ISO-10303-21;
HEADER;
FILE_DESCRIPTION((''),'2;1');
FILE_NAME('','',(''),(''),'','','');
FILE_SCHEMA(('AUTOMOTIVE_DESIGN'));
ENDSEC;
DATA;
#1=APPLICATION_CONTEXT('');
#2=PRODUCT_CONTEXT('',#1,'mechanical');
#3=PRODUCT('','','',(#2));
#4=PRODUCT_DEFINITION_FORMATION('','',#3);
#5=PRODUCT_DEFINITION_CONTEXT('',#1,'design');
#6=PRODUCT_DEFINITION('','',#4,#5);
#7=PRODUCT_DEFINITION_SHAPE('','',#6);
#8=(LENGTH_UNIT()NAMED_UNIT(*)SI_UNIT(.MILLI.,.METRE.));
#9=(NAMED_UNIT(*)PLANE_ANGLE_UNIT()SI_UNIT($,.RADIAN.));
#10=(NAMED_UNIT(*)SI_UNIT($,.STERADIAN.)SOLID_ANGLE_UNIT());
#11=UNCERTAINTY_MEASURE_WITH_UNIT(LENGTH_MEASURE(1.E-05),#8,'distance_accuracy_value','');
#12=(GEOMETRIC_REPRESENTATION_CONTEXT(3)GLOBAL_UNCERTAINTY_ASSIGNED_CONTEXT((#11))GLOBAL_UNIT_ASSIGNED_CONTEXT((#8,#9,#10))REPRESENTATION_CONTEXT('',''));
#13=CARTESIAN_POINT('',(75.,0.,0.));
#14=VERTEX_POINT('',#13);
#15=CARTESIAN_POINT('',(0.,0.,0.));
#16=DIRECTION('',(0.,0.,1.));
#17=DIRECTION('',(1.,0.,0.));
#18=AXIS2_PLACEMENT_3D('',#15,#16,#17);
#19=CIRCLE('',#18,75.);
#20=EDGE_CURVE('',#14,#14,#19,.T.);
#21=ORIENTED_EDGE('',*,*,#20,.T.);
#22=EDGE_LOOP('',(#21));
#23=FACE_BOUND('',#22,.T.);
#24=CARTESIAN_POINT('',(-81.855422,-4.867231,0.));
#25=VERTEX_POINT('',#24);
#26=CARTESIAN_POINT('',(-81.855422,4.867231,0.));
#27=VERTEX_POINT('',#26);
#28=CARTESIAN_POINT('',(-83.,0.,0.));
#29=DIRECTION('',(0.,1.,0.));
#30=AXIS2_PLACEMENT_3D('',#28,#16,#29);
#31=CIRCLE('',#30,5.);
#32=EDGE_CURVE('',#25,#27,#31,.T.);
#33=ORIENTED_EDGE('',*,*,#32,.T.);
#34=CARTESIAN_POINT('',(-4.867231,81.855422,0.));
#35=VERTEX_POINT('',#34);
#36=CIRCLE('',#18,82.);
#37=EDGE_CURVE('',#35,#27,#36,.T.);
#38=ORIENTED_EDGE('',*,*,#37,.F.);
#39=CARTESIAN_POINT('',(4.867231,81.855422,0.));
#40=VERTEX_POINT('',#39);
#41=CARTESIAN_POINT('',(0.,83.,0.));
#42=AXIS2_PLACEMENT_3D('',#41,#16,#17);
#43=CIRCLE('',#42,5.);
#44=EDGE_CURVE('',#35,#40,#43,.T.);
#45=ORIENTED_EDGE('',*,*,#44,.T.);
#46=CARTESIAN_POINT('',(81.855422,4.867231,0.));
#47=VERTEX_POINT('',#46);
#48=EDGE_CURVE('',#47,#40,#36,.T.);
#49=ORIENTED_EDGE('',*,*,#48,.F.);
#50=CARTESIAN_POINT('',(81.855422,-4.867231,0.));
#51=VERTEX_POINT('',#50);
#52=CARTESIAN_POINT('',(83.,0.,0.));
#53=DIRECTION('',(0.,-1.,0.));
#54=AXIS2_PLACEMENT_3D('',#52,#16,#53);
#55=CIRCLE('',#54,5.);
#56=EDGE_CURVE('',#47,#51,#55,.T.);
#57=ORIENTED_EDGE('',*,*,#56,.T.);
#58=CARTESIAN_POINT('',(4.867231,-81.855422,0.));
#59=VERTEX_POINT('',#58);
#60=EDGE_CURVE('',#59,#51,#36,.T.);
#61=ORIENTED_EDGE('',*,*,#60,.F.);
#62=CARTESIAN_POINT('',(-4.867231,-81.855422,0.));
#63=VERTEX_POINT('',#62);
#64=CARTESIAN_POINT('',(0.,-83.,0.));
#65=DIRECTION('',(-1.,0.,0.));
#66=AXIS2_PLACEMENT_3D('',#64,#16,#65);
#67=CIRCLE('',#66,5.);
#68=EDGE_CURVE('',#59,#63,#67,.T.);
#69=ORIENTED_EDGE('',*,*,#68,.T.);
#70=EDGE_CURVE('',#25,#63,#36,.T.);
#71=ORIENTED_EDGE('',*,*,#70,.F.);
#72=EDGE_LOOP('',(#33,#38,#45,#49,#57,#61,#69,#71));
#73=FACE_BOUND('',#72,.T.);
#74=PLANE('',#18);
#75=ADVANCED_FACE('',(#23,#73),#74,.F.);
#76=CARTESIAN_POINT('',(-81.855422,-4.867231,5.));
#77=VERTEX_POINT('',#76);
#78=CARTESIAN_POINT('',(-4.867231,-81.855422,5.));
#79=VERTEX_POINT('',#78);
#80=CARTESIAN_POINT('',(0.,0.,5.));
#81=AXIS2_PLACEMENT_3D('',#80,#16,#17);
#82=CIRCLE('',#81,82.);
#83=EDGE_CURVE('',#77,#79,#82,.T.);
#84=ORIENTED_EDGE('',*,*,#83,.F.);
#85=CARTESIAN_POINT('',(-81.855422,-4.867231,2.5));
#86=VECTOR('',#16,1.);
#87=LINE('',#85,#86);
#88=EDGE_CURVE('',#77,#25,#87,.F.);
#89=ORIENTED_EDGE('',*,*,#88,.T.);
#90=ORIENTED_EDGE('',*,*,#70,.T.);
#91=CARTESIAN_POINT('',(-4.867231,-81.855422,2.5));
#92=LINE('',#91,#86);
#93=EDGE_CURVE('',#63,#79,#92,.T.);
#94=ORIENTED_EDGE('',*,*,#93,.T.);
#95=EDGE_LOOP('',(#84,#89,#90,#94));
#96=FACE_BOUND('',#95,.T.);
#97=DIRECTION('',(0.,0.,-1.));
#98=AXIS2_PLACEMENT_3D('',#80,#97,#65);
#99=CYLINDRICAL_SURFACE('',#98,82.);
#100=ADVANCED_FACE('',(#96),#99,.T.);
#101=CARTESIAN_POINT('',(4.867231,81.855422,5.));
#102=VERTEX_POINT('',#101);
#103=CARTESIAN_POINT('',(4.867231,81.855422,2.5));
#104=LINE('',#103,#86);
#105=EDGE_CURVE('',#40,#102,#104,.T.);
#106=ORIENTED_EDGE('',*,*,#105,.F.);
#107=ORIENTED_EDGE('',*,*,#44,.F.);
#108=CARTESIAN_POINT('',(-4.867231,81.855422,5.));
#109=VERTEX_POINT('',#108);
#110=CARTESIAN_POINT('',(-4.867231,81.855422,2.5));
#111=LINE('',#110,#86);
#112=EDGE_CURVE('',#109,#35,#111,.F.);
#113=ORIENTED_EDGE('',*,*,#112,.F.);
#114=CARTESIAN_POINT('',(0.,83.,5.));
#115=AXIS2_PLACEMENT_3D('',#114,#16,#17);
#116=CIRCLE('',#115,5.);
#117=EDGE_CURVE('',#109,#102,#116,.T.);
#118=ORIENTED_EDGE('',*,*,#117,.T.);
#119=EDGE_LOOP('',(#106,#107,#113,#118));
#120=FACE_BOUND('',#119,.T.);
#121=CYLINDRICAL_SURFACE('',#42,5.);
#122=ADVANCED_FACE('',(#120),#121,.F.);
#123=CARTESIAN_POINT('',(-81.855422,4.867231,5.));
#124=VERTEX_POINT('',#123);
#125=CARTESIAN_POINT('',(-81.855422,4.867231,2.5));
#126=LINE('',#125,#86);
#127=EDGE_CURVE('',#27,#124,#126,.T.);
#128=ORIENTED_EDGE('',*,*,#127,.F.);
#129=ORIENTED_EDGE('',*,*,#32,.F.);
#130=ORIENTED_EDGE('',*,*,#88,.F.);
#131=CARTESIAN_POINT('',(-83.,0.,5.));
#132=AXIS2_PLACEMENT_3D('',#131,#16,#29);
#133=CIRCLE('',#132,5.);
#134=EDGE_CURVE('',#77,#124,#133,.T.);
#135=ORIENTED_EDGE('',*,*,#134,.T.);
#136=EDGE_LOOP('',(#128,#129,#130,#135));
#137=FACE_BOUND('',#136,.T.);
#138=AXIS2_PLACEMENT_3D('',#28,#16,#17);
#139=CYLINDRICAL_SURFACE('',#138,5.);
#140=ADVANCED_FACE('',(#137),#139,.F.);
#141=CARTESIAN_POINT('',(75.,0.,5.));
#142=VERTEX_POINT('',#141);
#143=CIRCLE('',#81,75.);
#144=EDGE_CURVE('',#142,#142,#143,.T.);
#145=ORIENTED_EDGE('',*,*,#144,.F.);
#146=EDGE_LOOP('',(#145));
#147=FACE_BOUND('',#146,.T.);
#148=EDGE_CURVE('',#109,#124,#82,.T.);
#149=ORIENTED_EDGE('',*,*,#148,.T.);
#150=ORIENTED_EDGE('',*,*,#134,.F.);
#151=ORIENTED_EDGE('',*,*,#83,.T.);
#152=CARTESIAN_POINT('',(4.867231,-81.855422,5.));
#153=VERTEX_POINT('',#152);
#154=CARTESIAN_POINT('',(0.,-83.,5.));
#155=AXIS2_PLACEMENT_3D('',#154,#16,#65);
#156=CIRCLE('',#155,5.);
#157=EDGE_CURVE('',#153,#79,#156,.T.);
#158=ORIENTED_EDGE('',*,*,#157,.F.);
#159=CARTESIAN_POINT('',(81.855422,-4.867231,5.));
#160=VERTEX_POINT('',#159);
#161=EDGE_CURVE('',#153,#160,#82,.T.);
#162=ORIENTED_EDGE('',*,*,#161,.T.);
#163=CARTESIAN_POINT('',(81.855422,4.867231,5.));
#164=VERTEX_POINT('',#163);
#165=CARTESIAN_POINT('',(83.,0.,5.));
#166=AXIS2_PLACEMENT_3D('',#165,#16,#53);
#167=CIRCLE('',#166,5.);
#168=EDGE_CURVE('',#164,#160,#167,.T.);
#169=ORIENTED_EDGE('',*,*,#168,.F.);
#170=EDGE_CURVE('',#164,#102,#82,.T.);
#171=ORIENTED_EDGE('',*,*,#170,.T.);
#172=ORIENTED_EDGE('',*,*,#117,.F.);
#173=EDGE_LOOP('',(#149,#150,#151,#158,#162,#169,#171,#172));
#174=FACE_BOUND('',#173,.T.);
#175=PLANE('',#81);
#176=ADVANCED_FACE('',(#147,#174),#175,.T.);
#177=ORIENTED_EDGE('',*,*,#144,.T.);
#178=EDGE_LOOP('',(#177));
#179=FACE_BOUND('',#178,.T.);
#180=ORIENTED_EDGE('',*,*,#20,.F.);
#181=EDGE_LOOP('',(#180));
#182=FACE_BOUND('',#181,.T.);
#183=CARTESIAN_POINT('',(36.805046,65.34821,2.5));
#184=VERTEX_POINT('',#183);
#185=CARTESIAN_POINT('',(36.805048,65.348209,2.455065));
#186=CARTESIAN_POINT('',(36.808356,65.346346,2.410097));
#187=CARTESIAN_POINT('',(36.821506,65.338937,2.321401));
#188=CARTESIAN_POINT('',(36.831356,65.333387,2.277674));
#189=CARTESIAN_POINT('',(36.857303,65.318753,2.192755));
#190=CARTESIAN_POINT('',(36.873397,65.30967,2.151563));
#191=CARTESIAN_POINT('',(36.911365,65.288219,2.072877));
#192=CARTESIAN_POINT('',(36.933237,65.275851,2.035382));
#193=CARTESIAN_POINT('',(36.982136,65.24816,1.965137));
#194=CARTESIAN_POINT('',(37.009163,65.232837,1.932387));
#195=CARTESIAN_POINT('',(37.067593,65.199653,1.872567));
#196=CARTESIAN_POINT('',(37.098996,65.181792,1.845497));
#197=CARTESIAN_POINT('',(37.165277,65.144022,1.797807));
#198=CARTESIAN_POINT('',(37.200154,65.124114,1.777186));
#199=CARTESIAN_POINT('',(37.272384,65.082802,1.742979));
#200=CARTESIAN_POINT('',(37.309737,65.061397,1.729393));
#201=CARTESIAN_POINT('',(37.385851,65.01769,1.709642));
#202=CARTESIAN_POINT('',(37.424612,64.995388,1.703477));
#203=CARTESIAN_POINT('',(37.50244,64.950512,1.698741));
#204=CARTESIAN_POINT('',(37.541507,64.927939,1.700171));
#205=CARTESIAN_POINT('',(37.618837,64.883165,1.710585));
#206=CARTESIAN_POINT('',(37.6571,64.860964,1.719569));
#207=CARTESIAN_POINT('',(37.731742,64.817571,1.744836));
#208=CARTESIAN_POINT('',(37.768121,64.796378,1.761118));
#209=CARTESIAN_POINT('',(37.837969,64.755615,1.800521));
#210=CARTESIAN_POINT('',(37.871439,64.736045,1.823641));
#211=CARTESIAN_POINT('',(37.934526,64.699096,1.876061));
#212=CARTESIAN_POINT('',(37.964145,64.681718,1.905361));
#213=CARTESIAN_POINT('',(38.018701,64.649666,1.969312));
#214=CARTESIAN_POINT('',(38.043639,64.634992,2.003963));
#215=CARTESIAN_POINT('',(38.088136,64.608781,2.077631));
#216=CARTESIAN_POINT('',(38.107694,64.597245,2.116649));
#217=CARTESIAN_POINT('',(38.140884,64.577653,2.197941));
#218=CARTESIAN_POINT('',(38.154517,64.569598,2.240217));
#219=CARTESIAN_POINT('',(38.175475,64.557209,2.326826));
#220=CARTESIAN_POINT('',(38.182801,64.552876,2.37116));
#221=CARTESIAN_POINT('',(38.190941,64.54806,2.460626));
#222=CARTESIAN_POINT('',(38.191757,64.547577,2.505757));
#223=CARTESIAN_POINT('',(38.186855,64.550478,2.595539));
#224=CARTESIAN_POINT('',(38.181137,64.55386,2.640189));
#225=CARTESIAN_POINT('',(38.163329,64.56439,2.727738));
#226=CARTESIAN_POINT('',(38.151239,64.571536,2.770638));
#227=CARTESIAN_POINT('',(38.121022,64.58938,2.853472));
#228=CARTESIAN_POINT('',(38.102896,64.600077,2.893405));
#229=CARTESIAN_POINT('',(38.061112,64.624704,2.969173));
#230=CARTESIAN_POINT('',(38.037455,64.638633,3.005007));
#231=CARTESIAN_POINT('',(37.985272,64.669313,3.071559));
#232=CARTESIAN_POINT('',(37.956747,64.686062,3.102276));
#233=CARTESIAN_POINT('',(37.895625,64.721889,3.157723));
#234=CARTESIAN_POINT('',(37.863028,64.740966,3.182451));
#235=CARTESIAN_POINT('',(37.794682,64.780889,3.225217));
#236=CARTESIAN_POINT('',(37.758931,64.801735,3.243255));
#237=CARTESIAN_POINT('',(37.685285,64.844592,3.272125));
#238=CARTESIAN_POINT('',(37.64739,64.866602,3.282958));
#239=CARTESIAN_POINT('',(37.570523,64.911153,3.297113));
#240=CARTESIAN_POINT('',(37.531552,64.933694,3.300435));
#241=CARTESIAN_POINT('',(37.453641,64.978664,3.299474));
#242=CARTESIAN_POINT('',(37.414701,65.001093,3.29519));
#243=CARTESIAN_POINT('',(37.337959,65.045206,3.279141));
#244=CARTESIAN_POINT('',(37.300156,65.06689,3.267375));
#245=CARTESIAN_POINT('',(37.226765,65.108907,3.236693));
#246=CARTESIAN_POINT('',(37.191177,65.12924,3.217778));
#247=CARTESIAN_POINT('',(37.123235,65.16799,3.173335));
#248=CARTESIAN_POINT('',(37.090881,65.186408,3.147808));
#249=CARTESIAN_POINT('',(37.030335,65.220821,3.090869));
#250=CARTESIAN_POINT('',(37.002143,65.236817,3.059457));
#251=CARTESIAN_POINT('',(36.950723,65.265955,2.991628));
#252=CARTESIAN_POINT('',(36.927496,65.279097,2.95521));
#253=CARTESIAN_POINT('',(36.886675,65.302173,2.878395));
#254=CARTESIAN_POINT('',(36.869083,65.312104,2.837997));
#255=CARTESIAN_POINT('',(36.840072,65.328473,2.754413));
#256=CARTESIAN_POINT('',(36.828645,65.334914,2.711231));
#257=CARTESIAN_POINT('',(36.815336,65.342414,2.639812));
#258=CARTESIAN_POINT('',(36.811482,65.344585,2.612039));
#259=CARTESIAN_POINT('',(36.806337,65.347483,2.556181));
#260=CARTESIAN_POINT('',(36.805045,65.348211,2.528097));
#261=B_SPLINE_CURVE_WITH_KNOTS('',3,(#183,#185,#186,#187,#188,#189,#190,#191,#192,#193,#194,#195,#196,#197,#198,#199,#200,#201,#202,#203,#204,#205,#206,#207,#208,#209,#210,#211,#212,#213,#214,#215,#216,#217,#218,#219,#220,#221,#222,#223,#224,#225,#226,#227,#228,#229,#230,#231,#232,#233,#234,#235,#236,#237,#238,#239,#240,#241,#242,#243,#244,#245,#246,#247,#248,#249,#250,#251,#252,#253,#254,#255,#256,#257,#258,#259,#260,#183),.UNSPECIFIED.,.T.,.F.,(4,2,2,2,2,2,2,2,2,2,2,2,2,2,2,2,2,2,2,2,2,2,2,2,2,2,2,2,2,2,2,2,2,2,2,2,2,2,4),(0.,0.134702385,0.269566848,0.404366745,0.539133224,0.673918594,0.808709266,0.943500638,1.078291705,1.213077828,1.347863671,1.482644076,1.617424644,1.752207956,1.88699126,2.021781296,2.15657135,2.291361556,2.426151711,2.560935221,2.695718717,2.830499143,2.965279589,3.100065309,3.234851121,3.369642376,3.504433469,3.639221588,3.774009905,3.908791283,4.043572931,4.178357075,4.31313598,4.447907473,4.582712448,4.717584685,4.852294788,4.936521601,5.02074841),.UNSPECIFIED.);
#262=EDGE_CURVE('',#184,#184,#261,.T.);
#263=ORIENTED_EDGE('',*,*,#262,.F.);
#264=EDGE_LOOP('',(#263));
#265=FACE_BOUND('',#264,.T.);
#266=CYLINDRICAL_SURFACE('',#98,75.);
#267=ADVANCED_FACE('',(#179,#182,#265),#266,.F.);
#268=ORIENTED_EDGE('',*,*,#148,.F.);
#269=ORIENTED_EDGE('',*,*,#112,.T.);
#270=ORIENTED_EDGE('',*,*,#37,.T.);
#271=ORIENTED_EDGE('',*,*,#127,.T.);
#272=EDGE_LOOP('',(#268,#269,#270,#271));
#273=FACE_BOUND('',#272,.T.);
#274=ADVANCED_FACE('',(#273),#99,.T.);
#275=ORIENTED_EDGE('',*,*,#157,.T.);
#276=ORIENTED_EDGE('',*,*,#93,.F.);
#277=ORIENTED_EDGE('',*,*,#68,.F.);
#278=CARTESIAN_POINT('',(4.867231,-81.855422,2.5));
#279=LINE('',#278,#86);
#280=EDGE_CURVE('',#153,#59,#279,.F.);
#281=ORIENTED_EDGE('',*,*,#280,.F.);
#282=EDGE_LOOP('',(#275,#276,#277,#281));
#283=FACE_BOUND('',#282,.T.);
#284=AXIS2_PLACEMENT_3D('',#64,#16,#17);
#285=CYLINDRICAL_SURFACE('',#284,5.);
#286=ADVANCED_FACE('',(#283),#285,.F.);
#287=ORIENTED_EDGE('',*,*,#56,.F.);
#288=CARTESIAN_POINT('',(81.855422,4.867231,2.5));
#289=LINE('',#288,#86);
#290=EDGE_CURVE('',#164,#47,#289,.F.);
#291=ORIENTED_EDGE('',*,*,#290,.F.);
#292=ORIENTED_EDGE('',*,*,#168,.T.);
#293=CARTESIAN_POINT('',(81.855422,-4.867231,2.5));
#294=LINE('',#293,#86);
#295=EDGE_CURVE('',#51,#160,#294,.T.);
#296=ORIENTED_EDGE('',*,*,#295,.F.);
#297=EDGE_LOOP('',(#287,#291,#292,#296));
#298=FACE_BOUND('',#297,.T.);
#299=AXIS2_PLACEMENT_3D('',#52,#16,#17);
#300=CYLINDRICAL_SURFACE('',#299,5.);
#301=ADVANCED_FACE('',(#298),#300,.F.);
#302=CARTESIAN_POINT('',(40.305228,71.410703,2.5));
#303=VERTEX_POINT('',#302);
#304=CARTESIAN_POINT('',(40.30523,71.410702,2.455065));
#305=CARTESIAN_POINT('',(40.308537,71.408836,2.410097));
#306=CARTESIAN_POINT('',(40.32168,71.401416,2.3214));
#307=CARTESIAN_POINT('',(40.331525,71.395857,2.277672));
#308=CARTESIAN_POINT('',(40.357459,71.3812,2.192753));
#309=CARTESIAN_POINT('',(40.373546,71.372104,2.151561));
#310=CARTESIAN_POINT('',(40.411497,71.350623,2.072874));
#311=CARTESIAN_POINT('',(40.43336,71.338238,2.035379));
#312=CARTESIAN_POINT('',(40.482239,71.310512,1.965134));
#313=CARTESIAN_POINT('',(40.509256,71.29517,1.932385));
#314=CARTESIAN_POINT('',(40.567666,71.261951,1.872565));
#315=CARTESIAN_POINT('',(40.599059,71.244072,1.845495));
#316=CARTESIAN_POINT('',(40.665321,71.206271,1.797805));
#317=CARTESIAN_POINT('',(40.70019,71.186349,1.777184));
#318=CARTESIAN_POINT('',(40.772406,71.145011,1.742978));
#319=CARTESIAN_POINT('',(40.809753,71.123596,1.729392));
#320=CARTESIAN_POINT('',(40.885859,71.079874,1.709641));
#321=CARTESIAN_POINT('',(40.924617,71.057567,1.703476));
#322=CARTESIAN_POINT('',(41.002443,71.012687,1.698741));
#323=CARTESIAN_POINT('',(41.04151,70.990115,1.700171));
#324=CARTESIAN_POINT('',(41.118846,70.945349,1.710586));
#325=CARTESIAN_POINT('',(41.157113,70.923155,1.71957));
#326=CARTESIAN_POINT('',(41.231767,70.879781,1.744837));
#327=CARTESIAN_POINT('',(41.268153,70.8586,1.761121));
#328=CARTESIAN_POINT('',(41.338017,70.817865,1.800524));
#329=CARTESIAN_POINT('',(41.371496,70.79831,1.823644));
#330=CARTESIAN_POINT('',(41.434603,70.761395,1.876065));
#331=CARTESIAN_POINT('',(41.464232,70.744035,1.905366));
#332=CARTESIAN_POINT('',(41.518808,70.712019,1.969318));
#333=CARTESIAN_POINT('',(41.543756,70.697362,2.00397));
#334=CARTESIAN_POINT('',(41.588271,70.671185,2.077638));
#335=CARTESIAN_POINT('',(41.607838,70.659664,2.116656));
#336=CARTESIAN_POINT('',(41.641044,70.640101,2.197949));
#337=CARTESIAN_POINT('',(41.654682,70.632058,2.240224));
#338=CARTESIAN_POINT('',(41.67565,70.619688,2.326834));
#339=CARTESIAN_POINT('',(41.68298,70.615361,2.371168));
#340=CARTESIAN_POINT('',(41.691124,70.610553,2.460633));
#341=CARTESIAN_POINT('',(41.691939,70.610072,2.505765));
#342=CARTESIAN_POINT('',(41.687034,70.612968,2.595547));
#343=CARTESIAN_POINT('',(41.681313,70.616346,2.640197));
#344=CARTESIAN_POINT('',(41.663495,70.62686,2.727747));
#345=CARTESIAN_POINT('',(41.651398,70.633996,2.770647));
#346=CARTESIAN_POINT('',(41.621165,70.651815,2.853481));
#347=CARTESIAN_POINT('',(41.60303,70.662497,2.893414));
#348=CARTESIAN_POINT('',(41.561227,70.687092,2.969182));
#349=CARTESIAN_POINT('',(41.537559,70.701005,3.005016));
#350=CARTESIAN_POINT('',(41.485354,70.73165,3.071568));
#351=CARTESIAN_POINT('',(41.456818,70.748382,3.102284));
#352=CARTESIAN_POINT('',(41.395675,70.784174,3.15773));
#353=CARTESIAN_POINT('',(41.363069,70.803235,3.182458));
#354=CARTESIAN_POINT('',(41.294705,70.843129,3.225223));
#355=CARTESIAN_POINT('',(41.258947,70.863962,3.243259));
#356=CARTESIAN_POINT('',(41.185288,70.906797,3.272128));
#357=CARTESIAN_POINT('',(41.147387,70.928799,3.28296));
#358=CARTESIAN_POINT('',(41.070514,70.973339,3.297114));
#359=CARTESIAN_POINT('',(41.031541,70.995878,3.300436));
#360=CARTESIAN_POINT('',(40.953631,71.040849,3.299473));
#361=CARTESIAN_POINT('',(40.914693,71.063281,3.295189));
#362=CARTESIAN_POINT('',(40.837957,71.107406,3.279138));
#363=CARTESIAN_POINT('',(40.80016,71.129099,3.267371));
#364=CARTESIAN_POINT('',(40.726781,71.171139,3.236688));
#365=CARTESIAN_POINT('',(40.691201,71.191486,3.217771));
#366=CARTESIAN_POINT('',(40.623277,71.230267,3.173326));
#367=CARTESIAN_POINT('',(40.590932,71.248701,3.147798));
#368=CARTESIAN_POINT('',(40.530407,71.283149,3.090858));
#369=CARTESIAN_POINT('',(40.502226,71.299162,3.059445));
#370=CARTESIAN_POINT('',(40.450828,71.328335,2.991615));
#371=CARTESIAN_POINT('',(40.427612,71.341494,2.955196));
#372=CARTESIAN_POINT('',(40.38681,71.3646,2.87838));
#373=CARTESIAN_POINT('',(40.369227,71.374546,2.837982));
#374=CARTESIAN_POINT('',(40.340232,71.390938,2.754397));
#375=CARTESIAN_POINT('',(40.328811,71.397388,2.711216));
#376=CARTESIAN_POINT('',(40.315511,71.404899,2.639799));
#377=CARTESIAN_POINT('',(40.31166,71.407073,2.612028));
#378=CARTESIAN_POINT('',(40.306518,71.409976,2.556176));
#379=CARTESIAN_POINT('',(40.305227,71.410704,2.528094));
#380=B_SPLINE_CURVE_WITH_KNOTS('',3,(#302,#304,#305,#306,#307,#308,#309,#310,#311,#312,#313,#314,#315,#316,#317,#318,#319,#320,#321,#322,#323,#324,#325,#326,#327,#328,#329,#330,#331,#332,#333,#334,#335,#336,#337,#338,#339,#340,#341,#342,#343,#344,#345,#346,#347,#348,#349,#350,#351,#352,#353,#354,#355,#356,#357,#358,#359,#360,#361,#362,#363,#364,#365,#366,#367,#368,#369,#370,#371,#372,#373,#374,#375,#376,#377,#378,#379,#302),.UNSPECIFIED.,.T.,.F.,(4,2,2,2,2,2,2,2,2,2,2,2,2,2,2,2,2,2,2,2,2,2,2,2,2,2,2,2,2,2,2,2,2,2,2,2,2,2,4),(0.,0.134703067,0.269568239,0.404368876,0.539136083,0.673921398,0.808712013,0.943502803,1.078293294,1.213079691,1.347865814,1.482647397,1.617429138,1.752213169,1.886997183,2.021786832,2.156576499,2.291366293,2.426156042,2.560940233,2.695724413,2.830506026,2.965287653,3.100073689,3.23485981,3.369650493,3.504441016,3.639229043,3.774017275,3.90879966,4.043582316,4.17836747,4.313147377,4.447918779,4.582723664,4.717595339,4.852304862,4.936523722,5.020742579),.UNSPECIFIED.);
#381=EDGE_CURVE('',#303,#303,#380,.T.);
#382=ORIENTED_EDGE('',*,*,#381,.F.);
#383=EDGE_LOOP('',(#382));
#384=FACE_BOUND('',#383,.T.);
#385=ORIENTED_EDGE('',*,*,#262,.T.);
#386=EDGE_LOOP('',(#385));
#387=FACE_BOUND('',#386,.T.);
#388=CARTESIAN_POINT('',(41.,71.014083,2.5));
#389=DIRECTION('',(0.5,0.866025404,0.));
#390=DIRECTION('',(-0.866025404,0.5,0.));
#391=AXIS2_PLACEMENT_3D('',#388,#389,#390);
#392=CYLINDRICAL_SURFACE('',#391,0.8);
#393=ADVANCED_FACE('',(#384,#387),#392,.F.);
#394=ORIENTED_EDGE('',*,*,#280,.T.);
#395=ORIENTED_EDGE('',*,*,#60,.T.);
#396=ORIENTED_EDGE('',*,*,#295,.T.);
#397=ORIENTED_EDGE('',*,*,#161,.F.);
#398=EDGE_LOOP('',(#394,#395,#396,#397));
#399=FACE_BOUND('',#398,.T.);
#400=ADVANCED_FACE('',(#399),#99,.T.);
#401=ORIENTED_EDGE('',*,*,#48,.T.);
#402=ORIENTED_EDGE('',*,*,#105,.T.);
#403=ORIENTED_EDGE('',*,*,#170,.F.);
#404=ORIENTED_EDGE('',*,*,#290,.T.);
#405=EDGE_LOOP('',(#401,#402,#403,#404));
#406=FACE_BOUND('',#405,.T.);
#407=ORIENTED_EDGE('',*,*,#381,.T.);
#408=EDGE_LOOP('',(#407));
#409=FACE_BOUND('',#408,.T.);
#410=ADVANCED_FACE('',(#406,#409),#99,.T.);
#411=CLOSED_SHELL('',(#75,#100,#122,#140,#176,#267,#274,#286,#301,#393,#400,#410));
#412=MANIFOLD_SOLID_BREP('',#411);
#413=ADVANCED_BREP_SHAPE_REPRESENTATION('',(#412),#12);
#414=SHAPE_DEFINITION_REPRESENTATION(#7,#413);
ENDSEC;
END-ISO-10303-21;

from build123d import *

# Parameters (mm, degrees)
SKETCH1_R                 = 82
SKETCH1_R_2               = 75
BOSS_EXTRUDE1_DEPTH       = 5
SKETCH2_R                 = 5
CUT_EXTRUDE1_DEPTH        = 117.073252733
CIRPATTERN1_COUNT         = 4
M2X0_4_TAPPED_HOLE1_D     = 1.6
M2X0_4_TAPPED_HOLE1_DEPTH = 10
M2X0_4_TAPPED_HOLE1_TIP   = 0.480688495


with BuildPart() as part:
    # Sketch1 → Boss-Extrude1 (new body)
    with BuildSketch(Plane.XY):
        Circle(SKETCH1_R)
        Circle(SKETCH1_R_2, mode=Mode.SUBTRACT)
    extrude(amount=BOSS_EXTRUDE1_DEPTH)

    # Sketch2 → Cut-Extrude1 (cut, through all)
    with BuildSketch(Plane.XY.offset(5)):
        with Locations((0, 83)):
            Circle(SKETCH2_R)
    cut_extrude1 = extrude(amount=-CUT_EXTRUDE1_DEPTH, mode=Mode.SUBTRACT)

    # CirPattern1: Cut-Extrude1 ×4 about axis
    cirpattern1_axis = Axis((0, 0, 0), (0, 0, 1))
    for i in range(1, CIRPATTERN1_COUNT):
        add(cut_extrude1.rotate(cirpattern1_axis, i * 360 / CIRPATTERN1_COUNT), mode=Mode.SUBTRACT)

    # M2x0.4 Tapped Hole1
    with Locations(Plane(origin=(41, 71.01408311, 2.5), x_dir=(0.866025403784, -0.5, 0), z_dir=(0.5, 0.866025403784, 0))):
        with Locations((0, 0)):
            Hole(M2X0_4_TAPPED_HOLE1_D / 2, depth=M2X0_4_TAPPED_HOLE1_DEPTH)
            with Locations((0, 0, -(M2X0_4_TAPPED_HOLE1_DEPTH + M2X0_4_TAPPED_HOLE1_TIP / 2))):  # 118° drill point
                Cone(0, M2X0_4_TAPPED_HOLE1_D / 2, M2X0_4_TAPPED_HOLE1_TIP, mode=Mode.SUBTRACT)


solid = part.part
